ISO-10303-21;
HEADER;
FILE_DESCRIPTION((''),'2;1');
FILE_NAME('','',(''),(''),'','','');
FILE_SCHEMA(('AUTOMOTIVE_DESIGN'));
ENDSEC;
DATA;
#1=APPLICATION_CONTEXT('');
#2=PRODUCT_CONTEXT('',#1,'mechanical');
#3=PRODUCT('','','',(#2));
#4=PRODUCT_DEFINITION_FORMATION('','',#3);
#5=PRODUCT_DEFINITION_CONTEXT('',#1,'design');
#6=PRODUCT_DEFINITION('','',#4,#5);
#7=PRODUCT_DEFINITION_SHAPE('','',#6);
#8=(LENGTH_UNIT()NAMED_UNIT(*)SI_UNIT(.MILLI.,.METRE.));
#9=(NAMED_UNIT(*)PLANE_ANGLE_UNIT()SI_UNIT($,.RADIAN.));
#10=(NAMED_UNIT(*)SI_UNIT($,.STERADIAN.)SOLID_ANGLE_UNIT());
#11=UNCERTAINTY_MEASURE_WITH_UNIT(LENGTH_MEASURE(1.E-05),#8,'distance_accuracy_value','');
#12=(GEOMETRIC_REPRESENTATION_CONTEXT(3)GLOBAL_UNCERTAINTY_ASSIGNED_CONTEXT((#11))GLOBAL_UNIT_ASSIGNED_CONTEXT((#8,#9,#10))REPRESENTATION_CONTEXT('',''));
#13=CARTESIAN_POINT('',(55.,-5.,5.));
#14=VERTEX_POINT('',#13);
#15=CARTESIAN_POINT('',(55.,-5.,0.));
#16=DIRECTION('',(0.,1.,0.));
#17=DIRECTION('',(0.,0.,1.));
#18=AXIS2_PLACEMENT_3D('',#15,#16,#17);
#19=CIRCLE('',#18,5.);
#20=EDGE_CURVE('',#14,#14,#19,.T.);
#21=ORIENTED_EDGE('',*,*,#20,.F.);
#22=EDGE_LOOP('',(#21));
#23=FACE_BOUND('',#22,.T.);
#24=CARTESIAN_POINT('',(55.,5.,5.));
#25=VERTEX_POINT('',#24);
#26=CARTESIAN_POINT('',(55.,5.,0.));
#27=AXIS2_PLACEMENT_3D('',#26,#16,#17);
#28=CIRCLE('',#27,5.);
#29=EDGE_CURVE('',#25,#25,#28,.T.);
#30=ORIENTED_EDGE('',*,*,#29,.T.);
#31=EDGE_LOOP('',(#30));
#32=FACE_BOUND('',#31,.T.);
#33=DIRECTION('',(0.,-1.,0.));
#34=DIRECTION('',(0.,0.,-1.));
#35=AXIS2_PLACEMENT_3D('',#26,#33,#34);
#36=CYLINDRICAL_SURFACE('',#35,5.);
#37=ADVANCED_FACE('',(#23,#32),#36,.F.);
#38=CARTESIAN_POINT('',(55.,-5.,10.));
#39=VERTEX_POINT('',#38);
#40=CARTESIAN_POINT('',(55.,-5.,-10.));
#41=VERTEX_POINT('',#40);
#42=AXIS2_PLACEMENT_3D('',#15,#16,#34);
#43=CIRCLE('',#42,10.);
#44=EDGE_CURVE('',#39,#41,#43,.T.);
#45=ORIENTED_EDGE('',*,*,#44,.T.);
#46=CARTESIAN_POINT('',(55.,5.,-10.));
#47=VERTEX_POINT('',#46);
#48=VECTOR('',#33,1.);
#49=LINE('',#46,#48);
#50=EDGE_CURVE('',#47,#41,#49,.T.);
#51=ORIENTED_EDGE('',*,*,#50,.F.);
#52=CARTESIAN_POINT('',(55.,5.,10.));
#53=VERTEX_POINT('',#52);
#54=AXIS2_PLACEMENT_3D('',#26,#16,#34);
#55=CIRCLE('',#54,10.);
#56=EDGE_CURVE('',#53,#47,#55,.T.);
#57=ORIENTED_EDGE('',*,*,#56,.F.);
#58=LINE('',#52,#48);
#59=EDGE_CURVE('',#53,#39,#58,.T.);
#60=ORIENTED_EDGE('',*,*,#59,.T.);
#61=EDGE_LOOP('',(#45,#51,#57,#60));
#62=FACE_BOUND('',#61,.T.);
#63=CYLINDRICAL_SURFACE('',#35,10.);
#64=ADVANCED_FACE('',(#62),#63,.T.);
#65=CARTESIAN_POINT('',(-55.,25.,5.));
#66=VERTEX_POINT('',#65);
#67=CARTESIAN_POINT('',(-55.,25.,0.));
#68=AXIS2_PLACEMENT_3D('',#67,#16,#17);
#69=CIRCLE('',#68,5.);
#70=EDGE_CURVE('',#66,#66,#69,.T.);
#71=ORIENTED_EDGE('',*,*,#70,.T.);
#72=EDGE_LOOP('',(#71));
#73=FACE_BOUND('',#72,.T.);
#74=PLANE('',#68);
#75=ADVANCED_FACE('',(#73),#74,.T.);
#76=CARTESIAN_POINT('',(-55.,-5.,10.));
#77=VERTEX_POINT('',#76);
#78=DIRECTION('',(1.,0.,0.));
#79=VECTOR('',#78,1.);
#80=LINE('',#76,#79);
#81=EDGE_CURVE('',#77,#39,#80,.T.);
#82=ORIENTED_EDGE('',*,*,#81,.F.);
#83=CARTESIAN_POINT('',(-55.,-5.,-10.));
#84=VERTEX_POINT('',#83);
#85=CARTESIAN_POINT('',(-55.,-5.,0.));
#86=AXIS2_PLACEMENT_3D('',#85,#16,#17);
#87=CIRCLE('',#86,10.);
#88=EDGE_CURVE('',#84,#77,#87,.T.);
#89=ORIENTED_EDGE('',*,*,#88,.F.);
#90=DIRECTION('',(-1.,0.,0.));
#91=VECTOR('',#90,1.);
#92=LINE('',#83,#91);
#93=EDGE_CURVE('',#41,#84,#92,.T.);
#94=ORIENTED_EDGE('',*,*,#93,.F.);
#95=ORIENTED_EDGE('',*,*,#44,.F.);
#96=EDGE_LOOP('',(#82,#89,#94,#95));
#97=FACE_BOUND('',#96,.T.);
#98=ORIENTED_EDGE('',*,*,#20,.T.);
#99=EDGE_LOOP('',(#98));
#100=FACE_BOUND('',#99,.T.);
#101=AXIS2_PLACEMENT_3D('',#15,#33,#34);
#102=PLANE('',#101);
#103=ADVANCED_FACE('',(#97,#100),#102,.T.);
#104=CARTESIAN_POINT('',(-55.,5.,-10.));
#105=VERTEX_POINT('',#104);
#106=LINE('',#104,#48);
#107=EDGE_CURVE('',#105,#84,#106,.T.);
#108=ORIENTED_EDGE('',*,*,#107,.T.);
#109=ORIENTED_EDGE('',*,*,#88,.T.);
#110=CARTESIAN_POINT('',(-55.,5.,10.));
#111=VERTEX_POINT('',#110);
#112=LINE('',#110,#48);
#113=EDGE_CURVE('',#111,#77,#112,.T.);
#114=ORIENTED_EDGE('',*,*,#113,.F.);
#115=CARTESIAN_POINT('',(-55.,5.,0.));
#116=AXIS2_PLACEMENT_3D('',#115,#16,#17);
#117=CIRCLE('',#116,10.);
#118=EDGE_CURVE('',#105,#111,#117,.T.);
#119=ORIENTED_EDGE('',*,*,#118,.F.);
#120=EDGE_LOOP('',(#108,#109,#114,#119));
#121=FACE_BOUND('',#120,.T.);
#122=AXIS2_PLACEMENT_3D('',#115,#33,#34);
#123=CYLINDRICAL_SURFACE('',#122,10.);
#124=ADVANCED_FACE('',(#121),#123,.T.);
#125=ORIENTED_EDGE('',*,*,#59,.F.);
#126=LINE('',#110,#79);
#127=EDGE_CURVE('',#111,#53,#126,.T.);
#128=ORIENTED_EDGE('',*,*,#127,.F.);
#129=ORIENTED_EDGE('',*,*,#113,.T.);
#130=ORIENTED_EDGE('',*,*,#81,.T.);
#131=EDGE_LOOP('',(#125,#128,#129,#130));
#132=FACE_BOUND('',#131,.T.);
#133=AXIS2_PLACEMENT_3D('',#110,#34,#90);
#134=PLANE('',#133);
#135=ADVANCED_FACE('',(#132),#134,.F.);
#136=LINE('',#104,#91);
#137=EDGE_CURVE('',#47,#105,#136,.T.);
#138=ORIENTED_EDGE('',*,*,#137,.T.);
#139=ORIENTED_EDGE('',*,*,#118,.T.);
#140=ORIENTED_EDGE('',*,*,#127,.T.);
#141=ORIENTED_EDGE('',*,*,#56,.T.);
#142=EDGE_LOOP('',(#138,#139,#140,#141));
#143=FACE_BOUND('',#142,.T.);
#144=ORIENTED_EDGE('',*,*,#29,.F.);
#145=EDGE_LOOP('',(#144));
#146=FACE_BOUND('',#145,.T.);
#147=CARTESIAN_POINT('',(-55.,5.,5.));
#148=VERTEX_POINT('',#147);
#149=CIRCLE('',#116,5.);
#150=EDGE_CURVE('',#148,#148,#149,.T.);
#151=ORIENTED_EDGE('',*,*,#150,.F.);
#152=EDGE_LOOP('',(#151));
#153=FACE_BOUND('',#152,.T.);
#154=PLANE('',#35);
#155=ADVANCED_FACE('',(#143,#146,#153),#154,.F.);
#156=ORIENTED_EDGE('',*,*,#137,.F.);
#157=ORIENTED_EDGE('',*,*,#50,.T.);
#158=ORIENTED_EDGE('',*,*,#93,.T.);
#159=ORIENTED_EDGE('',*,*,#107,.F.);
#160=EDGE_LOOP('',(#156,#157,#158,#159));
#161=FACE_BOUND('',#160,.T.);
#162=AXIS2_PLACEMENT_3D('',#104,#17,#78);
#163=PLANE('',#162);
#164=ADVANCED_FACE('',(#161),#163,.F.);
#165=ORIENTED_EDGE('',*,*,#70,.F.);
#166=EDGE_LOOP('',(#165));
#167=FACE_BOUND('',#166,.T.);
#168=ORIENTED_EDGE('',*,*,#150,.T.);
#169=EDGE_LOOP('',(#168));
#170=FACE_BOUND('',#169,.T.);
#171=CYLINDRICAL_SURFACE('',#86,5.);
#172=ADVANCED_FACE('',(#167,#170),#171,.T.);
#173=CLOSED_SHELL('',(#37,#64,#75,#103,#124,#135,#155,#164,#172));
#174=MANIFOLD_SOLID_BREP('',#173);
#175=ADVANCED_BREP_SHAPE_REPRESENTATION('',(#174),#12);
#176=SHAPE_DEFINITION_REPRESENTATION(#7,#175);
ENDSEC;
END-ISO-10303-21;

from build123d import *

# Parameters (mm, degrees)
SKETCH1_R                = 5
BOSS_EXTRUDE1_DEPTH      = 5
BOSS_EXTRUDE2_DEPTH      = 25
BOSS_EXTRUDE2_DEPTH_BACK = 5
SKETCH2_R                = 5


with BuildPart() as part:
    # Sketch1 → Boss-Extrude1 (new, symmetric)
    with BuildSketch(Plane(origin=(0, 0, 0), x_dir=(1, 0, 0), z_dir=(0, 1, 0))):
        with BuildLine():
            Line((-55, -10), (55, -10))
            ThreePointArc((55, -10), (65, 0), (55, 10))
            Line((55, 10), (-55, 10))
            ThreePointArc((-55, 10), (-65, 0), (-55, -10))
        make_face()
        with Locations(Location((-55, 0, 0), (0, 0, 270))):
            Circle(SKETCH1_R, mode=Mode.SUBTRACT)
        with Locations(Location((55, 0, 0), (0, 0, 270))):
            Circle(SKETCH1_R, mode=Mode.SUBTRACT)
    extrude(amount=BOSS_EXTRUDE1_DEPTH, both=True)

    # Sketch2 → Boss-Extrude2 (add, two sides: drawn at the far end of the back side and taken through both)
    with BuildSketch(Plane(origin=(0, 0, 0), x_dir=(1, 0, 0), z_dir=(0, 1, 0)).offset(-BOSS_EXTRUDE2_DEPTH_BACK)):
        with Locations(Location((-55, 0, 0), (0, 0, 270))):
            Circle(SKETCH2_R)
    extrude(amount=BOSS_EXTRUDE2_DEPTH + BOSS_EXTRUDE2_DEPTH_BACK)


solid = part.part
